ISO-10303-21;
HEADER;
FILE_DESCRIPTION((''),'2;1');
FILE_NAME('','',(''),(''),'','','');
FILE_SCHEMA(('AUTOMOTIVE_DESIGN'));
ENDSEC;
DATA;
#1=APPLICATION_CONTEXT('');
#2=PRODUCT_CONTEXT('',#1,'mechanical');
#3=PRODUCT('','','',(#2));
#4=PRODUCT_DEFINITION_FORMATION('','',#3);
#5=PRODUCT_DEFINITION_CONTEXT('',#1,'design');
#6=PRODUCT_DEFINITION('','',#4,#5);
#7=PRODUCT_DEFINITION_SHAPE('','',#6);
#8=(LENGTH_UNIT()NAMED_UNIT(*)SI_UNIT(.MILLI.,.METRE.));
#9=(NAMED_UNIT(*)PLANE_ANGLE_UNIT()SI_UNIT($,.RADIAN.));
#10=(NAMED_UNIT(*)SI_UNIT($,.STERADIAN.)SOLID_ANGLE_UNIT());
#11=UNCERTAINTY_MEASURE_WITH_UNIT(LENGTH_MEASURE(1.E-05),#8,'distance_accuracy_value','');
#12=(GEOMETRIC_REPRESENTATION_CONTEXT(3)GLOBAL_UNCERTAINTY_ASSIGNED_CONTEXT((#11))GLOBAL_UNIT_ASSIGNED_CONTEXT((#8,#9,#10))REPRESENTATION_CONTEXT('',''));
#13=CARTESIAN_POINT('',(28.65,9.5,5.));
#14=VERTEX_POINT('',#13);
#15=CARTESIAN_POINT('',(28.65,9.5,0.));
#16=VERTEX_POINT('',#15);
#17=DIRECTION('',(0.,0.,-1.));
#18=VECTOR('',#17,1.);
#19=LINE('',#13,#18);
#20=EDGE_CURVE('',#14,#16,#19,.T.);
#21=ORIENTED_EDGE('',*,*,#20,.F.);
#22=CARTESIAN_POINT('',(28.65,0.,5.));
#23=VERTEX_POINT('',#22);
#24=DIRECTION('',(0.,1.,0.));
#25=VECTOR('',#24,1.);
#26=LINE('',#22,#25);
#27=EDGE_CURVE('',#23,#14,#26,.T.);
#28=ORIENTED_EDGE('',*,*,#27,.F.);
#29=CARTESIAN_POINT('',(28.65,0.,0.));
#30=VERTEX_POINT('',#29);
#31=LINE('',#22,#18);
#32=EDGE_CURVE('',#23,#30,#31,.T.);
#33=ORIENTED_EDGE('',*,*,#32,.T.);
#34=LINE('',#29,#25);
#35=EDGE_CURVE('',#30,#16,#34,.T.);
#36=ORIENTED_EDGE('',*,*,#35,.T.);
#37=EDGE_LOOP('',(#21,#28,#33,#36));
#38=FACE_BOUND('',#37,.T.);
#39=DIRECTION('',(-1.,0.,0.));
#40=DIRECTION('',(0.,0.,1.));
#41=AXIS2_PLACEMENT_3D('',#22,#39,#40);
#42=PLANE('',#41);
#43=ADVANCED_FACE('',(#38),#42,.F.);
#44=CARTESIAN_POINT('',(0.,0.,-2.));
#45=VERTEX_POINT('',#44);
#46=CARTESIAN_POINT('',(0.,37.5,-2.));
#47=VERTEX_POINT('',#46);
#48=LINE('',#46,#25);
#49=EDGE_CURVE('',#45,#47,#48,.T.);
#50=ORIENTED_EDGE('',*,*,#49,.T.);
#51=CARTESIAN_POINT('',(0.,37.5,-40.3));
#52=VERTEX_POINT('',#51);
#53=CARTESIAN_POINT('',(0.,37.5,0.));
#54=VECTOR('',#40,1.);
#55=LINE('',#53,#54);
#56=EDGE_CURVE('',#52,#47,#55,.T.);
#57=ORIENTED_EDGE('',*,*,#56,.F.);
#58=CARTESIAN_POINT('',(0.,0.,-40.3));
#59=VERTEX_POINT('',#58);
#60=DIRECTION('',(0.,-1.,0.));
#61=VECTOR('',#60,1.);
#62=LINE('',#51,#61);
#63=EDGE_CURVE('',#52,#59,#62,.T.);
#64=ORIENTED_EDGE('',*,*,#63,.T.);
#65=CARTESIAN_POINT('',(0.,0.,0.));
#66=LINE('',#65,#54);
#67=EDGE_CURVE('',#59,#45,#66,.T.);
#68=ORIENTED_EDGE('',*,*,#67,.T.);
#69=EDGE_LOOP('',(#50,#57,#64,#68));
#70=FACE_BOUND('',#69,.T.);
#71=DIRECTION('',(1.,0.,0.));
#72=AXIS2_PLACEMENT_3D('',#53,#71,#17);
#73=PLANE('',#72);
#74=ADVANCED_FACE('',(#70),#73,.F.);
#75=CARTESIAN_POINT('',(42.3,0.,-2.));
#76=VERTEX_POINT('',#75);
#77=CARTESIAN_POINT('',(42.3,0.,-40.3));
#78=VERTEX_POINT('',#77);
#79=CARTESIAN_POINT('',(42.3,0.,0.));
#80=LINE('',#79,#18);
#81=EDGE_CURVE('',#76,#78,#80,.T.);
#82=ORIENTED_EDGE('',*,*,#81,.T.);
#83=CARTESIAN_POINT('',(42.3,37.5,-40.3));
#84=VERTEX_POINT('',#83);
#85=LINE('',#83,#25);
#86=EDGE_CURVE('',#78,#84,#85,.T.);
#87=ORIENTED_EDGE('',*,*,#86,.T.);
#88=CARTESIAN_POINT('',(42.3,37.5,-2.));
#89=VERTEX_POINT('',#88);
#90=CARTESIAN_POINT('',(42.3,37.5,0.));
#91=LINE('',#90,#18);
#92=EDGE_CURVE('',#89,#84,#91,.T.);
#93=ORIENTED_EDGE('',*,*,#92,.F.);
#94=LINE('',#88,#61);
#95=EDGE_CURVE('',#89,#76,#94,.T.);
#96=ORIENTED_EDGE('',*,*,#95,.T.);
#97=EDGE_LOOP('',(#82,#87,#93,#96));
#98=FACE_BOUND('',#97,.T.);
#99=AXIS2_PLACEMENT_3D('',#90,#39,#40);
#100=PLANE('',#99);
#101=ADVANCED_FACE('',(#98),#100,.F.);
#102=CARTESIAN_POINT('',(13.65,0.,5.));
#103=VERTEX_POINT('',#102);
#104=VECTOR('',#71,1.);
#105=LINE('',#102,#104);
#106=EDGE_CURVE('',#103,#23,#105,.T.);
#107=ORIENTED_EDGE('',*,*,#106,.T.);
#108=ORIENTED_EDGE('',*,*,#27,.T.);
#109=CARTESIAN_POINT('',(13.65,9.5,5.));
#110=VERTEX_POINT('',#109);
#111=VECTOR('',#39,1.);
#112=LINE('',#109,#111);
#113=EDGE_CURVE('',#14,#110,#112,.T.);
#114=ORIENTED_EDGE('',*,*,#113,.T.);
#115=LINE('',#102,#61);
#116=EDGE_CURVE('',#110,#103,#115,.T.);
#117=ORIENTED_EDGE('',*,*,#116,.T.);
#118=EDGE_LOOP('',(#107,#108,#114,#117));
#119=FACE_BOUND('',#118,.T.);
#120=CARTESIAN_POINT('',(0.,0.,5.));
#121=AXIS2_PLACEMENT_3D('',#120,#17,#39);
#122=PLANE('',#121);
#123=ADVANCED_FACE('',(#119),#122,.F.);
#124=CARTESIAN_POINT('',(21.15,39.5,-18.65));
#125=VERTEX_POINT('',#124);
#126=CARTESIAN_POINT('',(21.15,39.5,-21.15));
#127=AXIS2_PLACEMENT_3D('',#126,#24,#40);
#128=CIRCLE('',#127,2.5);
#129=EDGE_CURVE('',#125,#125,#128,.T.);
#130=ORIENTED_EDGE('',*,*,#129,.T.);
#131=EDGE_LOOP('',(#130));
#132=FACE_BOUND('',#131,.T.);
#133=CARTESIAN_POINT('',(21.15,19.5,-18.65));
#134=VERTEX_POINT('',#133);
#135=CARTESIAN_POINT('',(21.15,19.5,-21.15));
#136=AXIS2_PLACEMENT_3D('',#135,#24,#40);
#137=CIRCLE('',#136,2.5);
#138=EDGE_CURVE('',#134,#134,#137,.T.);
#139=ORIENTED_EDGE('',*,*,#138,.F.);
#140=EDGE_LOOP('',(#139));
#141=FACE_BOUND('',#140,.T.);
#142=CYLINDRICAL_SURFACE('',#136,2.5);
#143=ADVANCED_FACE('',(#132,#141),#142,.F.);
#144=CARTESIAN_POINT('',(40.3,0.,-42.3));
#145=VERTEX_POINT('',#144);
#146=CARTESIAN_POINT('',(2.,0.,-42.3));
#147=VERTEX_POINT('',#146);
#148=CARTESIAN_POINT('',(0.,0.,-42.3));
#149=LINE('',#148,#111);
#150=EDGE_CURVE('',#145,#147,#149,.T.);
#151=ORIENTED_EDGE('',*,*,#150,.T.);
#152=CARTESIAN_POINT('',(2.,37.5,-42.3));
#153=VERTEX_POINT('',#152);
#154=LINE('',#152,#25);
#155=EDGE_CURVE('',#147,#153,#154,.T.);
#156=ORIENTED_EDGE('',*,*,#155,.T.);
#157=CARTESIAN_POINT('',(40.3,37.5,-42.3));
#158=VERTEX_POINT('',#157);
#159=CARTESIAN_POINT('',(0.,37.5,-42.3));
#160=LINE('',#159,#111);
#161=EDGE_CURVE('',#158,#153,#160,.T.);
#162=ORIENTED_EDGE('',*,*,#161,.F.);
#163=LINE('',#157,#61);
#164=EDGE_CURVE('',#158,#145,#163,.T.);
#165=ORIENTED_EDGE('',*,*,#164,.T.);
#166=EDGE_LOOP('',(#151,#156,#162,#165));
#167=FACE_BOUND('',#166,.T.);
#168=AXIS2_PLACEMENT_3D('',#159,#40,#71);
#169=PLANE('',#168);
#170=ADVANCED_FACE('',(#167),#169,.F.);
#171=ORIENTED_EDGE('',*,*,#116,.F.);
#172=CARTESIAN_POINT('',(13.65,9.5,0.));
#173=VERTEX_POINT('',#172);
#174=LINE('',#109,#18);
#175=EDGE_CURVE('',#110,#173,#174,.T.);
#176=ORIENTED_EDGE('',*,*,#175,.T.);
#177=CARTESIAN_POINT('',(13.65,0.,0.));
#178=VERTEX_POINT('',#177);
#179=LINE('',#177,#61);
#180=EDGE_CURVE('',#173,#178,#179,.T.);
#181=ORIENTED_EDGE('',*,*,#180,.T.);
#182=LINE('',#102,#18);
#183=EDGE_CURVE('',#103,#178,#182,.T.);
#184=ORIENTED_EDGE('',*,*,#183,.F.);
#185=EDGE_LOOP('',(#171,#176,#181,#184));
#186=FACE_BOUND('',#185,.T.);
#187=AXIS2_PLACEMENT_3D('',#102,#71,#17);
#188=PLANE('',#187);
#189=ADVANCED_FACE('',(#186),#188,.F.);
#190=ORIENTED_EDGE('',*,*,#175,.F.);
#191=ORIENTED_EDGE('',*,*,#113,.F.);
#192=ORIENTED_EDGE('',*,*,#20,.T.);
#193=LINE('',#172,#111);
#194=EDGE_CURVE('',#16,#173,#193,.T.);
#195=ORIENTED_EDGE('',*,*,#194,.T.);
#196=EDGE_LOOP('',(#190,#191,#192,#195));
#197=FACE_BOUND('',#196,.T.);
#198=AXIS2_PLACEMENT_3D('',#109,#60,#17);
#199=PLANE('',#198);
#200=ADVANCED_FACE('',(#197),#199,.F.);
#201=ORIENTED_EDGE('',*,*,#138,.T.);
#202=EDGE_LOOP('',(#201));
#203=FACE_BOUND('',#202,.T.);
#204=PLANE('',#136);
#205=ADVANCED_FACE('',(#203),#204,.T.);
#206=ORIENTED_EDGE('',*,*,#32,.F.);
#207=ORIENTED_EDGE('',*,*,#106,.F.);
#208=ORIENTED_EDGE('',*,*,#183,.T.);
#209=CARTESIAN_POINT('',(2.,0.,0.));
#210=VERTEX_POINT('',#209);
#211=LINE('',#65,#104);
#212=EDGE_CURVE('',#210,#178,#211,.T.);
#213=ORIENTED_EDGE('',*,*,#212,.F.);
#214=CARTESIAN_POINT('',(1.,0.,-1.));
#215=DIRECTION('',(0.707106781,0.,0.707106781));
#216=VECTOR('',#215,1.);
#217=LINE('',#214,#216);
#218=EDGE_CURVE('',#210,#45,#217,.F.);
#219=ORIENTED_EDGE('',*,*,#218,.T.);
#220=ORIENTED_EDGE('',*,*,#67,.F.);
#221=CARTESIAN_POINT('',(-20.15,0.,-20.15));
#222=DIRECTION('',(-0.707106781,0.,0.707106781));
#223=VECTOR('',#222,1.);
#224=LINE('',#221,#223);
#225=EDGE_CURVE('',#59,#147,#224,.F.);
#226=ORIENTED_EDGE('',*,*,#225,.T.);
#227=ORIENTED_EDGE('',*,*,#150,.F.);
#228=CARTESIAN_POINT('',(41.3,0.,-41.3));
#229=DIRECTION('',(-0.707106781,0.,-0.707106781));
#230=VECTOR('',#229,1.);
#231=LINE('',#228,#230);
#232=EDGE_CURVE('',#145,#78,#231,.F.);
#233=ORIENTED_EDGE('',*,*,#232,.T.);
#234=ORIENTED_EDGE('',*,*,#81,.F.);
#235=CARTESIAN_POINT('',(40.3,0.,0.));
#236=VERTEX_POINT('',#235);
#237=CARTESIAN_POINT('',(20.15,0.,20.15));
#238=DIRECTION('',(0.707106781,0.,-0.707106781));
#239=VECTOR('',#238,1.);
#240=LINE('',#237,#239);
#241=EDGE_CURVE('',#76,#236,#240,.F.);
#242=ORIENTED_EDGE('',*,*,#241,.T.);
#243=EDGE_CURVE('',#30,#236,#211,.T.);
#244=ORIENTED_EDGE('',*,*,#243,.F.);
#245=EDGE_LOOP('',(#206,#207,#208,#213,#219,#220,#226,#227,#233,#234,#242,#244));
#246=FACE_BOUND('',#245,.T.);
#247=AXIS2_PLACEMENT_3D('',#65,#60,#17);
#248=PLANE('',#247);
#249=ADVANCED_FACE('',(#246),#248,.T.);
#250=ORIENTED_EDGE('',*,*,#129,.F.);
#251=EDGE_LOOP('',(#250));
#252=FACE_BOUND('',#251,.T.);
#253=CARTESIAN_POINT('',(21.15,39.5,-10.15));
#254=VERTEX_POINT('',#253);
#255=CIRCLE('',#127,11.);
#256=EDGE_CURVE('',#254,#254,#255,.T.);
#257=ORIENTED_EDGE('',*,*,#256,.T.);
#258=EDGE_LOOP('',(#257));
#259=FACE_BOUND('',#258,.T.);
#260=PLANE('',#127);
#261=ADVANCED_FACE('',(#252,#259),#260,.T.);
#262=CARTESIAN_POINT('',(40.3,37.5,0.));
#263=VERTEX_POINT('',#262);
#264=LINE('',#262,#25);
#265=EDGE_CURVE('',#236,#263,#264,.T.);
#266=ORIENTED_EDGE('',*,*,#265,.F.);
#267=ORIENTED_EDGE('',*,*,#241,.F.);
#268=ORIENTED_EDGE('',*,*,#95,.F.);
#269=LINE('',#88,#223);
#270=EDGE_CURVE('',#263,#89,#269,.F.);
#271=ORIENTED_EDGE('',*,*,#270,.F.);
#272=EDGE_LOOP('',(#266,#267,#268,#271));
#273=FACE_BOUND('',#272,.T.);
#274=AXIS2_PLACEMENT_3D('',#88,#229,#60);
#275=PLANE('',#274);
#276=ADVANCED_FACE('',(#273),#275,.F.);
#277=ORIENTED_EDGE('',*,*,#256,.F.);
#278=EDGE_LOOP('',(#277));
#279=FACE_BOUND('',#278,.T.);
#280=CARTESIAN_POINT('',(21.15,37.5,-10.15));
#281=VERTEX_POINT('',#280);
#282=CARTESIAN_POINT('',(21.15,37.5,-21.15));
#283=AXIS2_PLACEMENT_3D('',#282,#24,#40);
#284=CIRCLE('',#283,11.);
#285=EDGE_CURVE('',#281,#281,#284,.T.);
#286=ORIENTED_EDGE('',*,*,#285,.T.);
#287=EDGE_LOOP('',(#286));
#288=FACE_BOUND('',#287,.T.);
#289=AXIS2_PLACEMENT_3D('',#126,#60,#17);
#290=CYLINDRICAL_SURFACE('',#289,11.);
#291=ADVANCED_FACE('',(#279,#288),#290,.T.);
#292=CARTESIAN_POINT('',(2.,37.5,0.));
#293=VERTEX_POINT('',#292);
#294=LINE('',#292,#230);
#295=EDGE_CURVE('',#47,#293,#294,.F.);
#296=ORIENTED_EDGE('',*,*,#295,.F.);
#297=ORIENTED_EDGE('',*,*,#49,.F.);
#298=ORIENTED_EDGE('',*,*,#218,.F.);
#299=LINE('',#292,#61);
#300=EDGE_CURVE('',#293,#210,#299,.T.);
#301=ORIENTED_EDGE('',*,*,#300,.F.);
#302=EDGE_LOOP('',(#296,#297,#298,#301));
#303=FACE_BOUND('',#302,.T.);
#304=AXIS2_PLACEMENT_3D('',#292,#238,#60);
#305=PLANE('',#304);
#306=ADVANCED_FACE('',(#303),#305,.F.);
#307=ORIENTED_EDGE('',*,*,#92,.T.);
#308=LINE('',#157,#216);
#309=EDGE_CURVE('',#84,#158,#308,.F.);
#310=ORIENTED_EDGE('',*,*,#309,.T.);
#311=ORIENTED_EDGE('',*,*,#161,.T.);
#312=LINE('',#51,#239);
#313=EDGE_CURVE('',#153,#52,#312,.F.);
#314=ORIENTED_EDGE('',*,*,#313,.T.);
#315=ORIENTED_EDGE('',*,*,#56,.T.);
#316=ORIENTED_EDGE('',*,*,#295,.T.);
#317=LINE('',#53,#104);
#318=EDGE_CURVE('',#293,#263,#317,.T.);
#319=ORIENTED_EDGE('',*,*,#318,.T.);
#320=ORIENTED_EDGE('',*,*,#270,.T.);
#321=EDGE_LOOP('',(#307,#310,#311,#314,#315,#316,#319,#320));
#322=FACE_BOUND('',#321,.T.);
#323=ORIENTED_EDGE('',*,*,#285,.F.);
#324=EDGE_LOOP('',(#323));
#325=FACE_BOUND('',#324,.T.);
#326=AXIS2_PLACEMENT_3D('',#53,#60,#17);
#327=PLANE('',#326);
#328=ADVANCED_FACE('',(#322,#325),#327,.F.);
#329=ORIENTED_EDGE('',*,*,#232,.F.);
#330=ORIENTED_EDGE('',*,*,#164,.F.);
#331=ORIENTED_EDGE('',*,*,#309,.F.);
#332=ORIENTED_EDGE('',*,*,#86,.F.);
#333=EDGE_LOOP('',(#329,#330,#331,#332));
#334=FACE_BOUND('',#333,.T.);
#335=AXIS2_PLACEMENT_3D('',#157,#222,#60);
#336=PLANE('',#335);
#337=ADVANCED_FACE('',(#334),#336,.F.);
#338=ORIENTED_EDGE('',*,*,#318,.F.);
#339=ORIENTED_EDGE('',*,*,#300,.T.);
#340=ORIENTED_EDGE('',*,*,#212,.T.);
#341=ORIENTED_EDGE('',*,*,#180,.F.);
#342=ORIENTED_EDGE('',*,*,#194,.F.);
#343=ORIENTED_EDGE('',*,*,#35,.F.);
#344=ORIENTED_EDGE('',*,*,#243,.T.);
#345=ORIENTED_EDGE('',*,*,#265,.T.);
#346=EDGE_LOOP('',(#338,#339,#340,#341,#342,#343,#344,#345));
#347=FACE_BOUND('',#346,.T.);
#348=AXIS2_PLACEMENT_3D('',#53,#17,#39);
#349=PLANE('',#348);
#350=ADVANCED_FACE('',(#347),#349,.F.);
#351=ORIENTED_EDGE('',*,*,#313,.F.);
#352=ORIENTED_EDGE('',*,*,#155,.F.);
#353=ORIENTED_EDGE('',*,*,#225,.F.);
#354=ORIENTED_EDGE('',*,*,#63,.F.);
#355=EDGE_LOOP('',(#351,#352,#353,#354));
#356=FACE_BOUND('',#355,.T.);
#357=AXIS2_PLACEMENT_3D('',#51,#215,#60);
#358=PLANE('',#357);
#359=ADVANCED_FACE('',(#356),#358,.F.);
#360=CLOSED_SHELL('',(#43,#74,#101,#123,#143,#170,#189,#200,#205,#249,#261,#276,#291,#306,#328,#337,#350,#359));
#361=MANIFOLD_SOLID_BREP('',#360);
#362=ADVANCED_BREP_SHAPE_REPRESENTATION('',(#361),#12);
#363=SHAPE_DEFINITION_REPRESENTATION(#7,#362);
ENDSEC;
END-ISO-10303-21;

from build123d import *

# Parameters (mm, degrees)
SKETCH1_W           = 42.3
SKETCH1_H           = 42.3
BOSS_EXTRUDE1_DEPTH = 37.5
CHAMFER2_SIZE       = 2
SKETCH2_R           = 11
BOSS_EXTRUDE2_DEPTH = 2
SKETCH3_R           = 2.5
CUT_EXTRUDE2_DEPTH  = 20
SKETCH5_W           = 15
SKETCH5_H           = 9.5
BOSS_EXTRUDE4_DEPTH = 5


with BuildPart() as part:
    # Sketch1 → Boss-Extrude1 (new body)
    with BuildSketch(Plane(origin=(0, 0, 0), x_dir=(1, 0, 0), z_dir=(0, 1, 0))):
        with Locations((21.15, 21.15)):
            Rectangle(SKETCH1_W, SKETCH1_H)
    extrude(amount=BOSS_EXTRUDE1_DEPTH)

    # Chamfer2
    chamfer2_edges = [part.edges().sort_by_distance(p)[0] for p in [
        (0, 18.75, -42.3),
        (42.3, 18.75, -42.3),
        (42.3, 18.75, 0),
        (0, 18.75, 0),
    ]]
    chamfer(chamfer2_edges, length=CHAMFER2_SIZE)

    # Sketch2 → Boss-Extrude2 (add)
    with BuildSketch(Plane(origin=(0, 37.5, 0), x_dir=(1, 0, 0), z_dir=(0, 1, 0))):
        with Locations(Location((21.15, 21.15, 0), (0, 0, 270))):
            Circle(SKETCH2_R)
    extrude(amount=BOSS_EXTRUDE2_DEPTH)

    # Sketch3 → Cut-Extrude2 (cut)
    with BuildSketch(Plane(origin=(0, 39.5, 0), x_dir=(1, 0, 0), z_dir=(0, 1, 0))):
        with Locations(Location((21.15, 21.15, 0), (0, 0, 270))):
            Circle(SKETCH3_R)
    extrude(amount=-CUT_EXTRUDE2_DEPTH, mode=Mode.SUBTRACT)

    # Sketch5 → Boss-Extrude4 (add)
    with BuildSketch(Plane.XY):
        with Locations((21.15, 4.75)):
            Rectangle(SKETCH5_W, SKETCH5_H)
    extrude(amount=BOSS_EXTRUDE4_DEPTH)


solid = part.part
